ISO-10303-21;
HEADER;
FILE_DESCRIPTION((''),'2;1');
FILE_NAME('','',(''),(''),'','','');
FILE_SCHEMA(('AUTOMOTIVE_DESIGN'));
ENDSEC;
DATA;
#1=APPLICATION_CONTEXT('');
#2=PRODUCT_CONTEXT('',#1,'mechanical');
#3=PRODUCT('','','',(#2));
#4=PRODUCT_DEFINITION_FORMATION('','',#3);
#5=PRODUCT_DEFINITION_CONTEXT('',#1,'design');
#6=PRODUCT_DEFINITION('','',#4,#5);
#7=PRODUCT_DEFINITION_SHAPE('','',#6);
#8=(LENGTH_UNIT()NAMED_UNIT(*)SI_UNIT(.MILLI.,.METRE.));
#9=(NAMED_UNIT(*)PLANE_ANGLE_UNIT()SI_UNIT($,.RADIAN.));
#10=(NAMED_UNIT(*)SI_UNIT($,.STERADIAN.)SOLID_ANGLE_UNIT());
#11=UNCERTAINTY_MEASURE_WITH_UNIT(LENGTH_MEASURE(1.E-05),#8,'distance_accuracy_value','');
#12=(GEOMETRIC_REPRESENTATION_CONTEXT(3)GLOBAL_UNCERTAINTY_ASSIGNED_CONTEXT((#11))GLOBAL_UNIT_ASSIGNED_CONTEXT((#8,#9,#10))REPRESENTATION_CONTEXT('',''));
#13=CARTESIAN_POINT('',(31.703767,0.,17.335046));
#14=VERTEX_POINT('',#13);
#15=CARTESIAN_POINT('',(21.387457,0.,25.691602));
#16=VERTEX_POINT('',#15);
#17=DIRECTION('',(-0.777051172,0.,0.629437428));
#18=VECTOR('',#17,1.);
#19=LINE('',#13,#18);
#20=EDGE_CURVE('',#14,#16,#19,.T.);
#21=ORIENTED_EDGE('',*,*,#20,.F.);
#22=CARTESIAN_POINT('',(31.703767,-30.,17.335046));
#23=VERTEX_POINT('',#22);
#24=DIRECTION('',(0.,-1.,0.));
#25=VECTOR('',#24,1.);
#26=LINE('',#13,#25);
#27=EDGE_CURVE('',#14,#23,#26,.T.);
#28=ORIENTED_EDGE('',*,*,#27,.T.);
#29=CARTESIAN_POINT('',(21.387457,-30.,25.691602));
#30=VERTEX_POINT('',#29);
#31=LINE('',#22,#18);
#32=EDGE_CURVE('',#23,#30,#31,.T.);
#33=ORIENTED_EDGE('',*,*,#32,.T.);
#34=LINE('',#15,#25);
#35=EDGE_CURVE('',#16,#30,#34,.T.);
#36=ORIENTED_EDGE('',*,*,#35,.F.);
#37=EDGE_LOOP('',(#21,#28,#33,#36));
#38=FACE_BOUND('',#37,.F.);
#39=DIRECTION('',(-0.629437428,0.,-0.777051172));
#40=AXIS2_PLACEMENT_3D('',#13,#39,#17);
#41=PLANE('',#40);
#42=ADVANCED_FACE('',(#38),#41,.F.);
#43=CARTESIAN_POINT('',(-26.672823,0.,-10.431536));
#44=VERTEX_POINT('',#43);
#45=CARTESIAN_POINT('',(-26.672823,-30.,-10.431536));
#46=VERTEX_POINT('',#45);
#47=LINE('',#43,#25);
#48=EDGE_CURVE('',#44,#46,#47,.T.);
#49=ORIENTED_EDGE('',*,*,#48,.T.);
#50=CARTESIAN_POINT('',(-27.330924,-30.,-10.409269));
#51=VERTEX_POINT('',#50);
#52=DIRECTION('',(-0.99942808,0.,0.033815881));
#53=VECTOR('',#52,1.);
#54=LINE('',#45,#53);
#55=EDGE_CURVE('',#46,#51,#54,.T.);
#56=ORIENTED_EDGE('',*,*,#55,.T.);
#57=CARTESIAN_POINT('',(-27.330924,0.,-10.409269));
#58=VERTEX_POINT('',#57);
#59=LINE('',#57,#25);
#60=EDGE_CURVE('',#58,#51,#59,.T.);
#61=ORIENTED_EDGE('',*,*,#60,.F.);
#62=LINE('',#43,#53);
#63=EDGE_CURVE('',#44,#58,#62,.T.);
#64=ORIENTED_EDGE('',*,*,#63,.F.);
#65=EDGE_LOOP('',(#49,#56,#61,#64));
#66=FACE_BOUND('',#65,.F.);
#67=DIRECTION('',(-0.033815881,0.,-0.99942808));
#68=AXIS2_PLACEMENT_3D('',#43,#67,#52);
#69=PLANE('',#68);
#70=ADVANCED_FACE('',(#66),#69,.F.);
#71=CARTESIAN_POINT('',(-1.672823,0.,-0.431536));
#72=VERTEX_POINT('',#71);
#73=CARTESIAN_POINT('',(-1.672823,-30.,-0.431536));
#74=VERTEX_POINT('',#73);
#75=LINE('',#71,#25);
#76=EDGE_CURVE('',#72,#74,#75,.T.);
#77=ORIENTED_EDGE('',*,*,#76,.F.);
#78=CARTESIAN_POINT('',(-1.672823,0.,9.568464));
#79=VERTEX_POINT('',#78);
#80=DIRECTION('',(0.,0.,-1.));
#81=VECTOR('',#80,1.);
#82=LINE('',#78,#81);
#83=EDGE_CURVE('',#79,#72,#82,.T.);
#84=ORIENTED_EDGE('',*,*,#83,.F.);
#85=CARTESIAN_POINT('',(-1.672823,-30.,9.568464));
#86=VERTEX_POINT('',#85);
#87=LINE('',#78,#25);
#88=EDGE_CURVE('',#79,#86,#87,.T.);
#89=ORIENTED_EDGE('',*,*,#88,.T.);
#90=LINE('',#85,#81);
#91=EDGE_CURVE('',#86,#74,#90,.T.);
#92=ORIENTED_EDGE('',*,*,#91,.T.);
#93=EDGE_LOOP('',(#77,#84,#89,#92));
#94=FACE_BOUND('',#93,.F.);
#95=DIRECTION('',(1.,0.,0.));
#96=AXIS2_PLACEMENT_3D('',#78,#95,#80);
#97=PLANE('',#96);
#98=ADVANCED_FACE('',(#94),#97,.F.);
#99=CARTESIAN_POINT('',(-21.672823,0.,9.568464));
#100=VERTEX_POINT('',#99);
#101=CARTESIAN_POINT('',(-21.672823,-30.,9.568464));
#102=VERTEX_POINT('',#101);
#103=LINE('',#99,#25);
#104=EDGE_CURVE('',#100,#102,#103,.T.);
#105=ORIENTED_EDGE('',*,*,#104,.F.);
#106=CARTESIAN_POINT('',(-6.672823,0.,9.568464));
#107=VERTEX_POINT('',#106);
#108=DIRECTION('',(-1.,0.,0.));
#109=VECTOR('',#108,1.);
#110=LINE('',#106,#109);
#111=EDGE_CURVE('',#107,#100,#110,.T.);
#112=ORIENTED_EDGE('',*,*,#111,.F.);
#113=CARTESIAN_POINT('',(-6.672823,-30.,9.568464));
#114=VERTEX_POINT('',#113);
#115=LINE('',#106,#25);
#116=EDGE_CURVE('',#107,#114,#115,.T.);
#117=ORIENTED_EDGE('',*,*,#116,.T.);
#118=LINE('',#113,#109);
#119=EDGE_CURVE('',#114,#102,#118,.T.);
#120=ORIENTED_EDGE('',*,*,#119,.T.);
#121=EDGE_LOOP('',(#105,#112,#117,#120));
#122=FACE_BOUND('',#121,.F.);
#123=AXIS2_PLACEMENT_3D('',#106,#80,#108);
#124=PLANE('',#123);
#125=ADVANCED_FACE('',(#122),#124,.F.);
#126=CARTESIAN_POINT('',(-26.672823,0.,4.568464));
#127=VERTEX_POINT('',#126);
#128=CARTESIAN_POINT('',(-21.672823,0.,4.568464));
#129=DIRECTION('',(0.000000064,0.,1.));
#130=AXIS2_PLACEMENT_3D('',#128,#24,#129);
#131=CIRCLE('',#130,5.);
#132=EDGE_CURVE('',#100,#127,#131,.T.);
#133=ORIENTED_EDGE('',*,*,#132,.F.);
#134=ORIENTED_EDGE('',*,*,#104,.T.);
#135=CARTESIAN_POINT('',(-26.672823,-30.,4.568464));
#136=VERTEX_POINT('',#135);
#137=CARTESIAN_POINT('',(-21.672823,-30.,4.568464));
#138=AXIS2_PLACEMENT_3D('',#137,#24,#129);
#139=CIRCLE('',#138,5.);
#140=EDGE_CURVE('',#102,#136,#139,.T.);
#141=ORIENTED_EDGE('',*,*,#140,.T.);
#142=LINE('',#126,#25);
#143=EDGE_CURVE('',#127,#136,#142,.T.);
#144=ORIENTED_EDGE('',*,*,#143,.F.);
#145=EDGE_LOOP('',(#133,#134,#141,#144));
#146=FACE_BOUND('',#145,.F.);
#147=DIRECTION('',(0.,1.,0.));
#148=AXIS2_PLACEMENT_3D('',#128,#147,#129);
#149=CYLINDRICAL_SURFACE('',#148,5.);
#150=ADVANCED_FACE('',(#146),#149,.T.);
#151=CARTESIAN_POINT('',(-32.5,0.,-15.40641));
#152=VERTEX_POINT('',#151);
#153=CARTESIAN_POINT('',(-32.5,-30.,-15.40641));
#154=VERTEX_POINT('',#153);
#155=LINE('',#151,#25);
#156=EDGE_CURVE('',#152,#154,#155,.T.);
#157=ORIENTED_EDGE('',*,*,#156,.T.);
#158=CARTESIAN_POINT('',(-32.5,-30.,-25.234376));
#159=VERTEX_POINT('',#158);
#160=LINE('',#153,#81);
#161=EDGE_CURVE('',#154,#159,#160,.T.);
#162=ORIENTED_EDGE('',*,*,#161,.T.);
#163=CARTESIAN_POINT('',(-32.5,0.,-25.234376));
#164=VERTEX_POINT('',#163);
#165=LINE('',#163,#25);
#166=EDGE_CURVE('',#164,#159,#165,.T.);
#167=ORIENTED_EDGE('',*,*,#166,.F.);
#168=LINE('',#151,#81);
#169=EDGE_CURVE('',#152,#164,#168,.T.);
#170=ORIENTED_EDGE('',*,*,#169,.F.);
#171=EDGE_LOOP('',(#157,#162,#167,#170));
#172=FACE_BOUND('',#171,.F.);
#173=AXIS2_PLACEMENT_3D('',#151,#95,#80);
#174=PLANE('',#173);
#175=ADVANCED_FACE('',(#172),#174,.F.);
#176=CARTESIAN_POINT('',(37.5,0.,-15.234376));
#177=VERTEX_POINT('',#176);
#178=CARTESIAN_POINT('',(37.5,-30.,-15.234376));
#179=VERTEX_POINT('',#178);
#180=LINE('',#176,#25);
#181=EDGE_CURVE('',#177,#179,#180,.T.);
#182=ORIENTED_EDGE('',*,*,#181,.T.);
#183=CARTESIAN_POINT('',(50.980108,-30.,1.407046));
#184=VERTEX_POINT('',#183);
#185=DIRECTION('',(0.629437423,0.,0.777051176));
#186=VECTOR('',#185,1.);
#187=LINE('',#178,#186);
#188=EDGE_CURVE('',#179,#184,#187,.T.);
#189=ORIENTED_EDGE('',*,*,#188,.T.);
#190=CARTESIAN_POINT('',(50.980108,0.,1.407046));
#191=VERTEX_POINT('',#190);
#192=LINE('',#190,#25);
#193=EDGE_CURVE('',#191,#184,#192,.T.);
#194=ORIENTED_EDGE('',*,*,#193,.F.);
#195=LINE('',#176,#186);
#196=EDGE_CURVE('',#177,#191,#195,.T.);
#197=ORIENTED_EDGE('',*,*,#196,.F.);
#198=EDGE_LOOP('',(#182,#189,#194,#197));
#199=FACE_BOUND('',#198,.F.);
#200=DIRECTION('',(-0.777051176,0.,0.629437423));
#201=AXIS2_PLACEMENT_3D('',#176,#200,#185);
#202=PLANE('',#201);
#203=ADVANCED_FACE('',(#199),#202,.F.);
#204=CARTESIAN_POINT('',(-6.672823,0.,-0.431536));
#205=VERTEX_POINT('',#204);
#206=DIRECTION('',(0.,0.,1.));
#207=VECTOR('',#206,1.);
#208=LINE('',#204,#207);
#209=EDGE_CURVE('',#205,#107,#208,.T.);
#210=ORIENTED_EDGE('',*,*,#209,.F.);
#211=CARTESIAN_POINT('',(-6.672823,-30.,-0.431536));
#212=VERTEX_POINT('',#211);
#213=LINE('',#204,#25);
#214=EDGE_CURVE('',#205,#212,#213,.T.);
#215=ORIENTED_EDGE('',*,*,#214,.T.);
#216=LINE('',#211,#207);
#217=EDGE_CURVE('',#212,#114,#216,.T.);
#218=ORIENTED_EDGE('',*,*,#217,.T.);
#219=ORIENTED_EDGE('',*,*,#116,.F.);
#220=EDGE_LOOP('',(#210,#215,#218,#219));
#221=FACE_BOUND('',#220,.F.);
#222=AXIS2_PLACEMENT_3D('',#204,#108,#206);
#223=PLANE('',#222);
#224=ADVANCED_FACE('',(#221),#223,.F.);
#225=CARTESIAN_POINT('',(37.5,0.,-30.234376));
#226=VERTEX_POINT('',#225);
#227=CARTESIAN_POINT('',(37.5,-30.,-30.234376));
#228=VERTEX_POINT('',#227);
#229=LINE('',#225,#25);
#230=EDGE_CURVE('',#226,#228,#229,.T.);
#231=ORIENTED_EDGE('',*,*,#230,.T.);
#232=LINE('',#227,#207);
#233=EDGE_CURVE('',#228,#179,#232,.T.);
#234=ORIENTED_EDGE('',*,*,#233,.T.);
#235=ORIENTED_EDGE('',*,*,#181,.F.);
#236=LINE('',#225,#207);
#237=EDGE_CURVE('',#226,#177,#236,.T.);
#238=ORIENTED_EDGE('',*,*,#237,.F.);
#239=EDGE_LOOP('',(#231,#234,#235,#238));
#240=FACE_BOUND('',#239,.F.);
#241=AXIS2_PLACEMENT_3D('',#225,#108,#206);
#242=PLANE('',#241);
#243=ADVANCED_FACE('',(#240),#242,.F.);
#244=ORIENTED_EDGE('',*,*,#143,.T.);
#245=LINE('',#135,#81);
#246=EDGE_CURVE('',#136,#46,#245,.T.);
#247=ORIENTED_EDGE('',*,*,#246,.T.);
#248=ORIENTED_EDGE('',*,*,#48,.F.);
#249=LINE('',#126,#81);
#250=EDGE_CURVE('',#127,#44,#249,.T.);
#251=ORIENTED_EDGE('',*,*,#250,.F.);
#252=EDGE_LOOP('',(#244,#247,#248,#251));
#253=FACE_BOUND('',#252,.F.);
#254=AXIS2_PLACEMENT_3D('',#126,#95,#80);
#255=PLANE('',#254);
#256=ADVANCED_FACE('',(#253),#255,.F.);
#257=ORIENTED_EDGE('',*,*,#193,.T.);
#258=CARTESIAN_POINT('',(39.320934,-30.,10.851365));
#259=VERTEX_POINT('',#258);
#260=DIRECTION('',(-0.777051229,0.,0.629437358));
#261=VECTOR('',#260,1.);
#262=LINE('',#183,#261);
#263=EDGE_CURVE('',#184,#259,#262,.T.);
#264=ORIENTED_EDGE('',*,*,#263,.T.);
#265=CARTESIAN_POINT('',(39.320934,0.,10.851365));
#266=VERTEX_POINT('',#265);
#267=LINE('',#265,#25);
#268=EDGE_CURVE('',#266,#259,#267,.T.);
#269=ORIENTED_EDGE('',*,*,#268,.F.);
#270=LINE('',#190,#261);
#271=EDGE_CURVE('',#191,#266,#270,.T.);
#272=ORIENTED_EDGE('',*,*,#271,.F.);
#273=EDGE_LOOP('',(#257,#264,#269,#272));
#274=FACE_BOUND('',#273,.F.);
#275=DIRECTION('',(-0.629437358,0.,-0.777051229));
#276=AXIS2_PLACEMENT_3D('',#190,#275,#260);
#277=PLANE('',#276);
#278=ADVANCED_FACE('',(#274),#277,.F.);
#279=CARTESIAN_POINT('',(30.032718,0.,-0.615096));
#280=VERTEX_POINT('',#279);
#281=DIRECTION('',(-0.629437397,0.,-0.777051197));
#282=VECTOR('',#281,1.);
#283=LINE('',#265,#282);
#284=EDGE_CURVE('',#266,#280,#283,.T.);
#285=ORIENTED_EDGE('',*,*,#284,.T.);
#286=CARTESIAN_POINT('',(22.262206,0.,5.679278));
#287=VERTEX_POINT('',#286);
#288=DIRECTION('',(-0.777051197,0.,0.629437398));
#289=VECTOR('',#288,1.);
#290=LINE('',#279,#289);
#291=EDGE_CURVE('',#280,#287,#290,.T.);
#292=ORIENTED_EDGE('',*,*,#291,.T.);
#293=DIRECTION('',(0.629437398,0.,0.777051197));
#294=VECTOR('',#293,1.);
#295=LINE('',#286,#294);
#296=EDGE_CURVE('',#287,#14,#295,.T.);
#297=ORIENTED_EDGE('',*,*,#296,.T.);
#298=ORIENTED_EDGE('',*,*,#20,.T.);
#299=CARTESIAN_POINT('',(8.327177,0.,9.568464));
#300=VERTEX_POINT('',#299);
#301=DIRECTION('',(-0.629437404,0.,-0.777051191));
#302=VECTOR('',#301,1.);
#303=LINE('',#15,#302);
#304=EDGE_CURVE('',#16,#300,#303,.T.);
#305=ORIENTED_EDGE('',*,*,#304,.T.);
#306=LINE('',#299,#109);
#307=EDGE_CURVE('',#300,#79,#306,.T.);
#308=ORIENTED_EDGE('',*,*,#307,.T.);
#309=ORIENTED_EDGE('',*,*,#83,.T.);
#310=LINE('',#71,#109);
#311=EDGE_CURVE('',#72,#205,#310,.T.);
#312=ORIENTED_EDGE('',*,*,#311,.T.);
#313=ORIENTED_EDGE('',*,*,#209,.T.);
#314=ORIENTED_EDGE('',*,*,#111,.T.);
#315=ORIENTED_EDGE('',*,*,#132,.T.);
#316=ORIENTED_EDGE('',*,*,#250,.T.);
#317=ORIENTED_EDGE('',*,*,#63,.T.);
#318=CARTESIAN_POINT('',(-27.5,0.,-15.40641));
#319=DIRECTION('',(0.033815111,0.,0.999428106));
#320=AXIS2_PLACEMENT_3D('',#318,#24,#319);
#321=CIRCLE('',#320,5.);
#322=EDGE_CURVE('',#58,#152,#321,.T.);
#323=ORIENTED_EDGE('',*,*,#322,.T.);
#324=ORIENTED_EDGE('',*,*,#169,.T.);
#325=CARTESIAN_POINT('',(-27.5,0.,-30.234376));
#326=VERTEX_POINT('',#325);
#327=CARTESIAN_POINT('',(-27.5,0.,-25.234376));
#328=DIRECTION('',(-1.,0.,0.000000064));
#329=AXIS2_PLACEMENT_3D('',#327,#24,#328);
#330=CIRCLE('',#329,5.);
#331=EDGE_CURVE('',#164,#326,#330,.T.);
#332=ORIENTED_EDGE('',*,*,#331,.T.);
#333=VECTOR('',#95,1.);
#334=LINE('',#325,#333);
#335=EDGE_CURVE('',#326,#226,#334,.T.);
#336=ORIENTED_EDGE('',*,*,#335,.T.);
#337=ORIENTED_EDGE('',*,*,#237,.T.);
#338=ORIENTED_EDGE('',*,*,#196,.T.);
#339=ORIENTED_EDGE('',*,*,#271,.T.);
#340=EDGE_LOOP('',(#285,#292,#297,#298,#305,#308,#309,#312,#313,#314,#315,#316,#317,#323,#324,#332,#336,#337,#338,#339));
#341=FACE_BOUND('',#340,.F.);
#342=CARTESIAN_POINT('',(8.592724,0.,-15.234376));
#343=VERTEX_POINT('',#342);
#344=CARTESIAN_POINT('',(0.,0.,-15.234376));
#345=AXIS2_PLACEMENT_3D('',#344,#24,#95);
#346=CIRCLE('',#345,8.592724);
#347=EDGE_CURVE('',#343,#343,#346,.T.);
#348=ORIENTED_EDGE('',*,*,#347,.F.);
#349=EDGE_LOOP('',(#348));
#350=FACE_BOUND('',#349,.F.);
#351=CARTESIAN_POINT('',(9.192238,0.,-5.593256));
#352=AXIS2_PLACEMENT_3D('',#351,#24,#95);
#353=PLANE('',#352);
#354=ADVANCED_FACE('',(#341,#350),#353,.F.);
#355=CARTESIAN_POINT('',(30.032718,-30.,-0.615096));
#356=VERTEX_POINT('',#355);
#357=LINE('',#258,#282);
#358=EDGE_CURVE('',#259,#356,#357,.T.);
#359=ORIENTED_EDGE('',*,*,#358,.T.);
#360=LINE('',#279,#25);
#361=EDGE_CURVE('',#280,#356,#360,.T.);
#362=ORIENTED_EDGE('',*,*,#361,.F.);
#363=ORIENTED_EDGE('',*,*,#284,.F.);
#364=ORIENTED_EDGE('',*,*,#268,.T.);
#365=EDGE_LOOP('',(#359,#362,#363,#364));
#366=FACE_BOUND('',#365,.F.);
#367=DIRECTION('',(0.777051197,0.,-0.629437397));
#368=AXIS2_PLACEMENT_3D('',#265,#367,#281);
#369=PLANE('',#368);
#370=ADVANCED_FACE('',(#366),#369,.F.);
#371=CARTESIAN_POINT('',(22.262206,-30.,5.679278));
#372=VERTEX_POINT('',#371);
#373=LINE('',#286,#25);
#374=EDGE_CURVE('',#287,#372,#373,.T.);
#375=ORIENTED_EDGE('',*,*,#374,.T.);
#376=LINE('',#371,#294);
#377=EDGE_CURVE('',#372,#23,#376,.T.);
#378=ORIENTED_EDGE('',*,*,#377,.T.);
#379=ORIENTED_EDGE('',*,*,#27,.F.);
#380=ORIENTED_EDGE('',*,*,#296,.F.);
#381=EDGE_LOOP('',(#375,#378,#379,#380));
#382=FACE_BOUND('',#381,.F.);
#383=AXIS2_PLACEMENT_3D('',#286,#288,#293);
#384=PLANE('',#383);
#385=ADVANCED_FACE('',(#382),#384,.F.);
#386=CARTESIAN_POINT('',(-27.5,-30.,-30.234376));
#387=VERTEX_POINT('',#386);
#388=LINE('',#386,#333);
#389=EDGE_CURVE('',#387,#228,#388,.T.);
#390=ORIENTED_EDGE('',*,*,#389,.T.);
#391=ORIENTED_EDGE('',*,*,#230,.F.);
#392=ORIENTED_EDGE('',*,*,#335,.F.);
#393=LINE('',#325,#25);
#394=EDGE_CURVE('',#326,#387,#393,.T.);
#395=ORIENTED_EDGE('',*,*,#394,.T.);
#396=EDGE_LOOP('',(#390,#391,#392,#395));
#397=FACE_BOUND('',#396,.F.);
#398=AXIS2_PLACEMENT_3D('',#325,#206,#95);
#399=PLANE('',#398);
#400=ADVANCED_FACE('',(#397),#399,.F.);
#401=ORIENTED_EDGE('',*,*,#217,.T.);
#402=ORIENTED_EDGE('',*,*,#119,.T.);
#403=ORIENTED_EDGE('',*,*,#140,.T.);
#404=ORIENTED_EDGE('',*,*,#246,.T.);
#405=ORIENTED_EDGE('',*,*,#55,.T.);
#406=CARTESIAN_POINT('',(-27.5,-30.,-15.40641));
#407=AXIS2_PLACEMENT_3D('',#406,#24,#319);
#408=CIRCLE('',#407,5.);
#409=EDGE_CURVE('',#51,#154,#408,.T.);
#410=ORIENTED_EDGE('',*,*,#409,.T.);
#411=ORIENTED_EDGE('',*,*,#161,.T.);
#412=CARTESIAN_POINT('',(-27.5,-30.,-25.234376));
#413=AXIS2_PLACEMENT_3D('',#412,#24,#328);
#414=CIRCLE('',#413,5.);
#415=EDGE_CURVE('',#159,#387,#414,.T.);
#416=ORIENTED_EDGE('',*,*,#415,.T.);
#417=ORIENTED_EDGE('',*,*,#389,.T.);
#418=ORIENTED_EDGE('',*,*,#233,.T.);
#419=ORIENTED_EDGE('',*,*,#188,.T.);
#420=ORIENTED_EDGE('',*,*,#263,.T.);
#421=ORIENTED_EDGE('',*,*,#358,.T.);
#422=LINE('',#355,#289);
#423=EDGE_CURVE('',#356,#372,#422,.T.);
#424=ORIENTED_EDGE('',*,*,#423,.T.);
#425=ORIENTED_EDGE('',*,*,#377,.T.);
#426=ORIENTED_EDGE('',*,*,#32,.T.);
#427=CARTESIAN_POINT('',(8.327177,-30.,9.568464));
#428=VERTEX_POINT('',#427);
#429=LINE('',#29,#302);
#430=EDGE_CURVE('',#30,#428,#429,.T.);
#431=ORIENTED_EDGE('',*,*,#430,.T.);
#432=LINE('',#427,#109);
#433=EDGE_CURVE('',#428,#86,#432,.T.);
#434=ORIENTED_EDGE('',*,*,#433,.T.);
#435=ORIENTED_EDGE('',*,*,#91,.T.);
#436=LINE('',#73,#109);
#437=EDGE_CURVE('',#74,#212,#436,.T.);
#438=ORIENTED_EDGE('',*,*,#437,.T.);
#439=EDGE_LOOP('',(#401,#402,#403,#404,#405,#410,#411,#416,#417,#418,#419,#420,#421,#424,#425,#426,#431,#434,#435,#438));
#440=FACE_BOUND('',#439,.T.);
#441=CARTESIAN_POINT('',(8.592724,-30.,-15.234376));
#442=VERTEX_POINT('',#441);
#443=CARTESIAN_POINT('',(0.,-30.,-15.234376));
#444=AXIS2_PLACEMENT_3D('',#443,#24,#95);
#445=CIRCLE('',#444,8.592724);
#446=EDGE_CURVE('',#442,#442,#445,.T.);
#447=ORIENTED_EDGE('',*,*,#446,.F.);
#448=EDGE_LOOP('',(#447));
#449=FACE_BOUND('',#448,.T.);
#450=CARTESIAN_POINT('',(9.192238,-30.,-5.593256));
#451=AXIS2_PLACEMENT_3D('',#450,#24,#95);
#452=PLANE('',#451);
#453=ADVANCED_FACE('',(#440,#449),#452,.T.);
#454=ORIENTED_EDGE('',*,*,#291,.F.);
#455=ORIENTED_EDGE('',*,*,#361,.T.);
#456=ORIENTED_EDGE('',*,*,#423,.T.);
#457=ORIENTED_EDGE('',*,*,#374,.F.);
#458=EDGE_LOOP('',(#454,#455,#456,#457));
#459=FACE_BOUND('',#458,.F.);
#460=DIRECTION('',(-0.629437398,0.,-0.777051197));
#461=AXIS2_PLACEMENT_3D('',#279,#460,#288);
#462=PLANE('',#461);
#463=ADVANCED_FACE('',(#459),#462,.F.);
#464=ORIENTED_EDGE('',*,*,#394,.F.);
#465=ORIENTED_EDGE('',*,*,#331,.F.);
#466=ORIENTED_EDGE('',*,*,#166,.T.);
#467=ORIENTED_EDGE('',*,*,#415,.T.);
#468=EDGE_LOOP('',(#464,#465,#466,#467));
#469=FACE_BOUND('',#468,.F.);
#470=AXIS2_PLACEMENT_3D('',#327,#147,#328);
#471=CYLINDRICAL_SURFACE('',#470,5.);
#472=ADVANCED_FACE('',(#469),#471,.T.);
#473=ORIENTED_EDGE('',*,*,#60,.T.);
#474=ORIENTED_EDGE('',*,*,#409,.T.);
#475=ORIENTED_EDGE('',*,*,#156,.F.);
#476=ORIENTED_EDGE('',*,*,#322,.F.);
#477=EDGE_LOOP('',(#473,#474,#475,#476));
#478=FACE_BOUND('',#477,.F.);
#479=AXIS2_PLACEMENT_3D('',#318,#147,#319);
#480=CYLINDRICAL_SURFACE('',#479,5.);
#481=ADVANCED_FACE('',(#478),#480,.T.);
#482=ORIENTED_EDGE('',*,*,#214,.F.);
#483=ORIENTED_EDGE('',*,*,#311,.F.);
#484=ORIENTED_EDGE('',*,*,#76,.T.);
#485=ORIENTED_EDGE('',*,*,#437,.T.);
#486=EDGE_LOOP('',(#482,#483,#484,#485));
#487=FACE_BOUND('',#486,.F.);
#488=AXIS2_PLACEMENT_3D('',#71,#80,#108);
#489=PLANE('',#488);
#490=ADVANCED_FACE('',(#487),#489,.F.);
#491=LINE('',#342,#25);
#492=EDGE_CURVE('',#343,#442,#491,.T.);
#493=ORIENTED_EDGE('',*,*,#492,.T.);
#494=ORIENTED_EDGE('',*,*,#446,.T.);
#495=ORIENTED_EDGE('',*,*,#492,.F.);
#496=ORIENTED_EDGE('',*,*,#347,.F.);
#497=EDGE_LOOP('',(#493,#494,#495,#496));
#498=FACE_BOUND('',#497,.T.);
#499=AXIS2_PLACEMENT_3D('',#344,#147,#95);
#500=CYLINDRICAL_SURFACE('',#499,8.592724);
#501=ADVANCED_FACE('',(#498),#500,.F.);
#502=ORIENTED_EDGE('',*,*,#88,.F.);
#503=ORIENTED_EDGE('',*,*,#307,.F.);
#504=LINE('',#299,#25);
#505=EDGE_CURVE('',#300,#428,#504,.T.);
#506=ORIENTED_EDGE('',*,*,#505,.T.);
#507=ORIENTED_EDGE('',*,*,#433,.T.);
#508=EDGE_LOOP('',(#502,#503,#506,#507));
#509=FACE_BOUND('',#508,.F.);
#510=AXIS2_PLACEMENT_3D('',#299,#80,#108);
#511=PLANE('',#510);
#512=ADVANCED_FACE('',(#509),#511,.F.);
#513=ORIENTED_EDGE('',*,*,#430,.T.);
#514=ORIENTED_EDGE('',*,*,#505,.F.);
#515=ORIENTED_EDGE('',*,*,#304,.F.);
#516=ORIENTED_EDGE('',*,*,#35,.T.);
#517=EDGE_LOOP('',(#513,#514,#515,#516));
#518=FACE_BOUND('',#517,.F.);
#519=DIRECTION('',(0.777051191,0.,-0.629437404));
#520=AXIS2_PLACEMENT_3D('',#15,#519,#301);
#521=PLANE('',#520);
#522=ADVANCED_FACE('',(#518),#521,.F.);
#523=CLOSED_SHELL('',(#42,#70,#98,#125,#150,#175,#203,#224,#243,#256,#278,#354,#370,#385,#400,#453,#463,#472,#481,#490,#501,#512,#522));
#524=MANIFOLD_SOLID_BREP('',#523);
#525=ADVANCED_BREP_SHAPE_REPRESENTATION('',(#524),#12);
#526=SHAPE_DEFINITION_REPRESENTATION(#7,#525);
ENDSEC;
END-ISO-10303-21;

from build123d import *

# Parameters (mm, degrees)
F0_R     = 8.592724
F1_DEPTH = 30


with BuildPart() as f1:
    # F0 (on Front) → F1 (new body)
    with BuildSketch(Plane.XZ):
        with BuildLine():
            ThreePointArc((-32.5, -25.234376), (-31.035534, -28.76991), (-27.5, -30.234376))
            Line((-27.5, -30.234376), (37.5, -30.234376))
            Line((37.5, -30.234376), (37.5, -15.234376))
            Line((37.5, -15.234376), (50.980108, 1.407046))
            Line((50.980108, 1.407046), (39.320934, 10.851365))
            Line((39.320934, 10.851365), (30.032718, -0.615096))
            Line((30.032718, -0.615096), (22.262206, 5.679278))
            Line((22.262206, 5.679278), (31.703767, 17.335046))
            Line((31.703767, 17.335046), (21.387457, 25.691602))
            Line((21.387457, 25.691602), (8.327177, 9.568464))
            Line((8.327177, 9.568464), (-1.672823, 9.568464))
            Line((-1.672823, 9.568464), (-1.672823, -0.431536))
            Line((-1.672823, -0.431536), (-6.672823, -0.431536))
            Line((-6.672823, -0.431536), (-6.672823, 9.568464))
            Line((-6.672823, 9.568464), (-21.672823, 9.568464))
            ThreePointArc((-21.672823, 9.568464), (-25.208357, 8.103998), (-26.672823, 4.568464))
            Line((-26.672823, 4.568464), (-26.672823, -10.431536))
            Line((-26.672823, -10.431536), (-27.330924, -10.409269))
            ThreePointArc((-27.330924, -10.409269), (-30.975243, -11.811596), (-32.5, -15.40641))
            Line((-32.5, -15.40641), (-32.5, -25.234376))
        make_face()
        with Locations((0, -15.234376)):
            Circle(F0_R, mode=Mode.SUBTRACT)
    extrude(amount=F1_DEPTH)


solid = f1.part
